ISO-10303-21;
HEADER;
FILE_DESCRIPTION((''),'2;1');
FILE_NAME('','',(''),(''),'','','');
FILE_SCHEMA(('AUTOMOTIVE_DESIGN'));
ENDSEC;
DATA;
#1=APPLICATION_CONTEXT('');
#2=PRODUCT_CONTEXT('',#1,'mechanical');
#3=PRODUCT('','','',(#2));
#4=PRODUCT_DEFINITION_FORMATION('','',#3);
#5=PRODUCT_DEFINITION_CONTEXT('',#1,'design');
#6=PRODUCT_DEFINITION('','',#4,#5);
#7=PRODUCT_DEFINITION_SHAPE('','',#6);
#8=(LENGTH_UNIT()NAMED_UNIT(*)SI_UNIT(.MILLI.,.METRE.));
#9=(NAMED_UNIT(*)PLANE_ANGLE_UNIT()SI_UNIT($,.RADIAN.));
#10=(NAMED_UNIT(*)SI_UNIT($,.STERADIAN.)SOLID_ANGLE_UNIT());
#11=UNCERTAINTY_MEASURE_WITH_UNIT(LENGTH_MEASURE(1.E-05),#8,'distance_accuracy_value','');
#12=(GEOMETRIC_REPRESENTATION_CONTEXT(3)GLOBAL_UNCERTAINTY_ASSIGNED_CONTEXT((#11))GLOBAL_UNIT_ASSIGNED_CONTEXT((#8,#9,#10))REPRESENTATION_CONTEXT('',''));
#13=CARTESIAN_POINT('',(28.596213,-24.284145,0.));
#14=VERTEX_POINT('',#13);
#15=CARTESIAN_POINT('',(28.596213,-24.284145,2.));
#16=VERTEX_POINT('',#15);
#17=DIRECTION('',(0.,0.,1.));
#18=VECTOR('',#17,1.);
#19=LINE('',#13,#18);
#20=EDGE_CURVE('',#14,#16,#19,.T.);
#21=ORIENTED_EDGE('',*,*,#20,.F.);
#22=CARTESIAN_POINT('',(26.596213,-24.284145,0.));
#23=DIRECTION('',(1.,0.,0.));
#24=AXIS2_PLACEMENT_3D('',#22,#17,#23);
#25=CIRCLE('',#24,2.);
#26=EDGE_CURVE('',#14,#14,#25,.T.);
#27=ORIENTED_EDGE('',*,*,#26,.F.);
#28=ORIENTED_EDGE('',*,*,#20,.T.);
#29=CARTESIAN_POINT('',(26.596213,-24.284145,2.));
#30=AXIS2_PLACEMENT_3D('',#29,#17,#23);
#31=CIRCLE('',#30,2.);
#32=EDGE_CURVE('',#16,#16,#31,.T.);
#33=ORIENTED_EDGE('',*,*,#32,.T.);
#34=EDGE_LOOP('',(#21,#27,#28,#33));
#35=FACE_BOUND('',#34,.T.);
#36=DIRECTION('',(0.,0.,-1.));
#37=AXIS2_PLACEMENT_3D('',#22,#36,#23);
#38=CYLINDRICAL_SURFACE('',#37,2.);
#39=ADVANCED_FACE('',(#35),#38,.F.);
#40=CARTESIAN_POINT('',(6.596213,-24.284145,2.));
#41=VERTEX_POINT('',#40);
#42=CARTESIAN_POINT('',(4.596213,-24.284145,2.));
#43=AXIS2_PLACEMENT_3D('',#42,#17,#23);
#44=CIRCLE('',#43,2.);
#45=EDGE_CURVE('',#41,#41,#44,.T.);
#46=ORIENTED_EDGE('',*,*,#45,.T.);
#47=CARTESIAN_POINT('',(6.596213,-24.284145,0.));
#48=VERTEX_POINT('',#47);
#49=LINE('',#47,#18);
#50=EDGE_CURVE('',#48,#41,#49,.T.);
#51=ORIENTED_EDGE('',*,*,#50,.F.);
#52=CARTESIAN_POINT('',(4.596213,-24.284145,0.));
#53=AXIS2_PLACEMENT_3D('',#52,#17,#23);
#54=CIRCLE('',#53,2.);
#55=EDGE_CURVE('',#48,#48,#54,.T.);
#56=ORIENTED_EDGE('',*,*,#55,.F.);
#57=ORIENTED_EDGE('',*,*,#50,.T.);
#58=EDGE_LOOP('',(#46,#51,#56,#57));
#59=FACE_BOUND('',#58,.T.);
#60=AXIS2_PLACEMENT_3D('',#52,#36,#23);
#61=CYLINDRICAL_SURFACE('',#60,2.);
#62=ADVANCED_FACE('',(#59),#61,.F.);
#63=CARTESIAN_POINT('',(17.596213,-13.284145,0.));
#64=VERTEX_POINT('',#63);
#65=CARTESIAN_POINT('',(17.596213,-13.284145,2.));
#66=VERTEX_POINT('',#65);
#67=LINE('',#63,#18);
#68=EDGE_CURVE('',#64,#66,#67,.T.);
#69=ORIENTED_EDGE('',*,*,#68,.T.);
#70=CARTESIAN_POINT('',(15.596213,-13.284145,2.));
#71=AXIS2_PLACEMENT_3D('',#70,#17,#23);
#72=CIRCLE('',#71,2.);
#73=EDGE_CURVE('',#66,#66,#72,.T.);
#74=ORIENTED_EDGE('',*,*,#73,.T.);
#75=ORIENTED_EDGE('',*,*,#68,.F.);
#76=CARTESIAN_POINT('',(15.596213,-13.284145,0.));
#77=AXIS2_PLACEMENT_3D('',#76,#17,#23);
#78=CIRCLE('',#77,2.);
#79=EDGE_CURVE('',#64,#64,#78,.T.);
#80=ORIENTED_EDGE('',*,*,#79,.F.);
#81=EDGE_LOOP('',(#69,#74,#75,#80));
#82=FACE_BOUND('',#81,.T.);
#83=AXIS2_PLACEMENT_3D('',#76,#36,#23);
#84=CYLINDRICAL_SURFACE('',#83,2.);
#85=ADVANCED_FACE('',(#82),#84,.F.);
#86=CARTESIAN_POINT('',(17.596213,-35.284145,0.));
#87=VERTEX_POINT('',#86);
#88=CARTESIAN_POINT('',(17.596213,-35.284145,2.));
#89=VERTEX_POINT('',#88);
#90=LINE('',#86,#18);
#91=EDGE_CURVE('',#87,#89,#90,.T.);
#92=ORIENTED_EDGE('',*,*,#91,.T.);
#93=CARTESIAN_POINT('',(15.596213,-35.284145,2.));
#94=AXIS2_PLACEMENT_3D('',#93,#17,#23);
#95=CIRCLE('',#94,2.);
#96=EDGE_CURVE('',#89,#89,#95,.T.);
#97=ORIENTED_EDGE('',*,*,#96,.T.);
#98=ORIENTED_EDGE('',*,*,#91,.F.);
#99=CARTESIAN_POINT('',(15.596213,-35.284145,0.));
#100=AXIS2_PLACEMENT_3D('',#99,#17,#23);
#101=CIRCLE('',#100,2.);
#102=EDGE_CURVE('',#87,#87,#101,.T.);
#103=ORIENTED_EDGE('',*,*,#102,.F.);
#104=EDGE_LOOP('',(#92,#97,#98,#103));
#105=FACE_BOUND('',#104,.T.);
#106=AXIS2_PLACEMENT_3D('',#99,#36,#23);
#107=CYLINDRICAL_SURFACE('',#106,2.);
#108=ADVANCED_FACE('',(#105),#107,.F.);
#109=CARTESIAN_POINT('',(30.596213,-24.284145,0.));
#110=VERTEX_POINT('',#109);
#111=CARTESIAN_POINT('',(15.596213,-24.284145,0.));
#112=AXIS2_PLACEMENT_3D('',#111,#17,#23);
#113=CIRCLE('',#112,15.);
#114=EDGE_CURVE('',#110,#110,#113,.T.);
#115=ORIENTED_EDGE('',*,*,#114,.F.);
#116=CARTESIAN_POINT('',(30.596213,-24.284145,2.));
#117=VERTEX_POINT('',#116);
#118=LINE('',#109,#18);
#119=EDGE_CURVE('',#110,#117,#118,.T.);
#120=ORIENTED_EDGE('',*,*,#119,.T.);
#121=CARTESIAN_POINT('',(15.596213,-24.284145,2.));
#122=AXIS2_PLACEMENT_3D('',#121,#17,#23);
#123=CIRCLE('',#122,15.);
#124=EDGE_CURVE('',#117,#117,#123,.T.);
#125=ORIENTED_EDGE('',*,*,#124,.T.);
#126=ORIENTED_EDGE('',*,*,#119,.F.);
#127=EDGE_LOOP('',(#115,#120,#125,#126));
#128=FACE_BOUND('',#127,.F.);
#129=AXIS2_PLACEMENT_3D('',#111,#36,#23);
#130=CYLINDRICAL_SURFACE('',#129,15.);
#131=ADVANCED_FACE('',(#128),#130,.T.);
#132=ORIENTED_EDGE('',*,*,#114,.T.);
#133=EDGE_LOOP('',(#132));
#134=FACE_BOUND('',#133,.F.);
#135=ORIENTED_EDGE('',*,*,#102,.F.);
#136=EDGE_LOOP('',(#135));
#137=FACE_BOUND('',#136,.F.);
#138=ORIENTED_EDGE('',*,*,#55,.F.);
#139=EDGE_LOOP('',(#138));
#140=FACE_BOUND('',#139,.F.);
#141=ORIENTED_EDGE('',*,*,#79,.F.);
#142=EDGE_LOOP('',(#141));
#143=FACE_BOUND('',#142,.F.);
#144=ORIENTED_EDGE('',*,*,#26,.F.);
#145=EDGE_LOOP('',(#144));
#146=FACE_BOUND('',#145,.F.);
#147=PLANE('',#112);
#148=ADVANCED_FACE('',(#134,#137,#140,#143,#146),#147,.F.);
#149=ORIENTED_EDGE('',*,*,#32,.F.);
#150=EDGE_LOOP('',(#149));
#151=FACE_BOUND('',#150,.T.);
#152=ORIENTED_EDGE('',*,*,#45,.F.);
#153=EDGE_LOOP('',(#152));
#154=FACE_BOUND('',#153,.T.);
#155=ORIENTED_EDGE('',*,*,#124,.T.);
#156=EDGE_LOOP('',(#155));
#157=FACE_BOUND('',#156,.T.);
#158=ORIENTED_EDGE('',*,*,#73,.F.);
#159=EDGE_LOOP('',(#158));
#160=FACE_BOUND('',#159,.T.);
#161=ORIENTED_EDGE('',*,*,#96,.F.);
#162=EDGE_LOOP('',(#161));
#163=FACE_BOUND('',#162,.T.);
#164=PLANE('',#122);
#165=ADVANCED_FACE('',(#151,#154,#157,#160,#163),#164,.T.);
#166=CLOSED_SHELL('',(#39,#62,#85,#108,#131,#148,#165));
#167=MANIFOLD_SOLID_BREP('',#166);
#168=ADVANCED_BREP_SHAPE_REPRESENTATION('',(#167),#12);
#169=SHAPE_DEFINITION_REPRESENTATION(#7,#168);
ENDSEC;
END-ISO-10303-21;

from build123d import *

# Parameters (mm, degrees)
F0_R     = 15
F0_R_2   = 2
F1_DEPTH = 2


with BuildPart() as f1:
    # F0 (on Top) → F1 (new body)
    with BuildSketch(Plane.XY):
        with Locations((15.596213, -24.284145)):
            Circle(F0_R)
        with Locations((4.596213, -24.284145)):
            Circle(F0_R_2, mode=Mode.SUBTRACT)
        with Locations((15.596213, -35.284145)):
            Circle(F0_R_2, mode=Mode.SUBTRACT)
        with Locations((15.596213, -13.284145)):
            Circle(F0_R_2, mode=Mode.SUBTRACT)
        with Locations((26.596213, -24.284145)):
            Circle(F0_R_2, mode=Mode.SUBTRACT)
    extrude(amount=F1_DEPTH)


solid = f1.part
